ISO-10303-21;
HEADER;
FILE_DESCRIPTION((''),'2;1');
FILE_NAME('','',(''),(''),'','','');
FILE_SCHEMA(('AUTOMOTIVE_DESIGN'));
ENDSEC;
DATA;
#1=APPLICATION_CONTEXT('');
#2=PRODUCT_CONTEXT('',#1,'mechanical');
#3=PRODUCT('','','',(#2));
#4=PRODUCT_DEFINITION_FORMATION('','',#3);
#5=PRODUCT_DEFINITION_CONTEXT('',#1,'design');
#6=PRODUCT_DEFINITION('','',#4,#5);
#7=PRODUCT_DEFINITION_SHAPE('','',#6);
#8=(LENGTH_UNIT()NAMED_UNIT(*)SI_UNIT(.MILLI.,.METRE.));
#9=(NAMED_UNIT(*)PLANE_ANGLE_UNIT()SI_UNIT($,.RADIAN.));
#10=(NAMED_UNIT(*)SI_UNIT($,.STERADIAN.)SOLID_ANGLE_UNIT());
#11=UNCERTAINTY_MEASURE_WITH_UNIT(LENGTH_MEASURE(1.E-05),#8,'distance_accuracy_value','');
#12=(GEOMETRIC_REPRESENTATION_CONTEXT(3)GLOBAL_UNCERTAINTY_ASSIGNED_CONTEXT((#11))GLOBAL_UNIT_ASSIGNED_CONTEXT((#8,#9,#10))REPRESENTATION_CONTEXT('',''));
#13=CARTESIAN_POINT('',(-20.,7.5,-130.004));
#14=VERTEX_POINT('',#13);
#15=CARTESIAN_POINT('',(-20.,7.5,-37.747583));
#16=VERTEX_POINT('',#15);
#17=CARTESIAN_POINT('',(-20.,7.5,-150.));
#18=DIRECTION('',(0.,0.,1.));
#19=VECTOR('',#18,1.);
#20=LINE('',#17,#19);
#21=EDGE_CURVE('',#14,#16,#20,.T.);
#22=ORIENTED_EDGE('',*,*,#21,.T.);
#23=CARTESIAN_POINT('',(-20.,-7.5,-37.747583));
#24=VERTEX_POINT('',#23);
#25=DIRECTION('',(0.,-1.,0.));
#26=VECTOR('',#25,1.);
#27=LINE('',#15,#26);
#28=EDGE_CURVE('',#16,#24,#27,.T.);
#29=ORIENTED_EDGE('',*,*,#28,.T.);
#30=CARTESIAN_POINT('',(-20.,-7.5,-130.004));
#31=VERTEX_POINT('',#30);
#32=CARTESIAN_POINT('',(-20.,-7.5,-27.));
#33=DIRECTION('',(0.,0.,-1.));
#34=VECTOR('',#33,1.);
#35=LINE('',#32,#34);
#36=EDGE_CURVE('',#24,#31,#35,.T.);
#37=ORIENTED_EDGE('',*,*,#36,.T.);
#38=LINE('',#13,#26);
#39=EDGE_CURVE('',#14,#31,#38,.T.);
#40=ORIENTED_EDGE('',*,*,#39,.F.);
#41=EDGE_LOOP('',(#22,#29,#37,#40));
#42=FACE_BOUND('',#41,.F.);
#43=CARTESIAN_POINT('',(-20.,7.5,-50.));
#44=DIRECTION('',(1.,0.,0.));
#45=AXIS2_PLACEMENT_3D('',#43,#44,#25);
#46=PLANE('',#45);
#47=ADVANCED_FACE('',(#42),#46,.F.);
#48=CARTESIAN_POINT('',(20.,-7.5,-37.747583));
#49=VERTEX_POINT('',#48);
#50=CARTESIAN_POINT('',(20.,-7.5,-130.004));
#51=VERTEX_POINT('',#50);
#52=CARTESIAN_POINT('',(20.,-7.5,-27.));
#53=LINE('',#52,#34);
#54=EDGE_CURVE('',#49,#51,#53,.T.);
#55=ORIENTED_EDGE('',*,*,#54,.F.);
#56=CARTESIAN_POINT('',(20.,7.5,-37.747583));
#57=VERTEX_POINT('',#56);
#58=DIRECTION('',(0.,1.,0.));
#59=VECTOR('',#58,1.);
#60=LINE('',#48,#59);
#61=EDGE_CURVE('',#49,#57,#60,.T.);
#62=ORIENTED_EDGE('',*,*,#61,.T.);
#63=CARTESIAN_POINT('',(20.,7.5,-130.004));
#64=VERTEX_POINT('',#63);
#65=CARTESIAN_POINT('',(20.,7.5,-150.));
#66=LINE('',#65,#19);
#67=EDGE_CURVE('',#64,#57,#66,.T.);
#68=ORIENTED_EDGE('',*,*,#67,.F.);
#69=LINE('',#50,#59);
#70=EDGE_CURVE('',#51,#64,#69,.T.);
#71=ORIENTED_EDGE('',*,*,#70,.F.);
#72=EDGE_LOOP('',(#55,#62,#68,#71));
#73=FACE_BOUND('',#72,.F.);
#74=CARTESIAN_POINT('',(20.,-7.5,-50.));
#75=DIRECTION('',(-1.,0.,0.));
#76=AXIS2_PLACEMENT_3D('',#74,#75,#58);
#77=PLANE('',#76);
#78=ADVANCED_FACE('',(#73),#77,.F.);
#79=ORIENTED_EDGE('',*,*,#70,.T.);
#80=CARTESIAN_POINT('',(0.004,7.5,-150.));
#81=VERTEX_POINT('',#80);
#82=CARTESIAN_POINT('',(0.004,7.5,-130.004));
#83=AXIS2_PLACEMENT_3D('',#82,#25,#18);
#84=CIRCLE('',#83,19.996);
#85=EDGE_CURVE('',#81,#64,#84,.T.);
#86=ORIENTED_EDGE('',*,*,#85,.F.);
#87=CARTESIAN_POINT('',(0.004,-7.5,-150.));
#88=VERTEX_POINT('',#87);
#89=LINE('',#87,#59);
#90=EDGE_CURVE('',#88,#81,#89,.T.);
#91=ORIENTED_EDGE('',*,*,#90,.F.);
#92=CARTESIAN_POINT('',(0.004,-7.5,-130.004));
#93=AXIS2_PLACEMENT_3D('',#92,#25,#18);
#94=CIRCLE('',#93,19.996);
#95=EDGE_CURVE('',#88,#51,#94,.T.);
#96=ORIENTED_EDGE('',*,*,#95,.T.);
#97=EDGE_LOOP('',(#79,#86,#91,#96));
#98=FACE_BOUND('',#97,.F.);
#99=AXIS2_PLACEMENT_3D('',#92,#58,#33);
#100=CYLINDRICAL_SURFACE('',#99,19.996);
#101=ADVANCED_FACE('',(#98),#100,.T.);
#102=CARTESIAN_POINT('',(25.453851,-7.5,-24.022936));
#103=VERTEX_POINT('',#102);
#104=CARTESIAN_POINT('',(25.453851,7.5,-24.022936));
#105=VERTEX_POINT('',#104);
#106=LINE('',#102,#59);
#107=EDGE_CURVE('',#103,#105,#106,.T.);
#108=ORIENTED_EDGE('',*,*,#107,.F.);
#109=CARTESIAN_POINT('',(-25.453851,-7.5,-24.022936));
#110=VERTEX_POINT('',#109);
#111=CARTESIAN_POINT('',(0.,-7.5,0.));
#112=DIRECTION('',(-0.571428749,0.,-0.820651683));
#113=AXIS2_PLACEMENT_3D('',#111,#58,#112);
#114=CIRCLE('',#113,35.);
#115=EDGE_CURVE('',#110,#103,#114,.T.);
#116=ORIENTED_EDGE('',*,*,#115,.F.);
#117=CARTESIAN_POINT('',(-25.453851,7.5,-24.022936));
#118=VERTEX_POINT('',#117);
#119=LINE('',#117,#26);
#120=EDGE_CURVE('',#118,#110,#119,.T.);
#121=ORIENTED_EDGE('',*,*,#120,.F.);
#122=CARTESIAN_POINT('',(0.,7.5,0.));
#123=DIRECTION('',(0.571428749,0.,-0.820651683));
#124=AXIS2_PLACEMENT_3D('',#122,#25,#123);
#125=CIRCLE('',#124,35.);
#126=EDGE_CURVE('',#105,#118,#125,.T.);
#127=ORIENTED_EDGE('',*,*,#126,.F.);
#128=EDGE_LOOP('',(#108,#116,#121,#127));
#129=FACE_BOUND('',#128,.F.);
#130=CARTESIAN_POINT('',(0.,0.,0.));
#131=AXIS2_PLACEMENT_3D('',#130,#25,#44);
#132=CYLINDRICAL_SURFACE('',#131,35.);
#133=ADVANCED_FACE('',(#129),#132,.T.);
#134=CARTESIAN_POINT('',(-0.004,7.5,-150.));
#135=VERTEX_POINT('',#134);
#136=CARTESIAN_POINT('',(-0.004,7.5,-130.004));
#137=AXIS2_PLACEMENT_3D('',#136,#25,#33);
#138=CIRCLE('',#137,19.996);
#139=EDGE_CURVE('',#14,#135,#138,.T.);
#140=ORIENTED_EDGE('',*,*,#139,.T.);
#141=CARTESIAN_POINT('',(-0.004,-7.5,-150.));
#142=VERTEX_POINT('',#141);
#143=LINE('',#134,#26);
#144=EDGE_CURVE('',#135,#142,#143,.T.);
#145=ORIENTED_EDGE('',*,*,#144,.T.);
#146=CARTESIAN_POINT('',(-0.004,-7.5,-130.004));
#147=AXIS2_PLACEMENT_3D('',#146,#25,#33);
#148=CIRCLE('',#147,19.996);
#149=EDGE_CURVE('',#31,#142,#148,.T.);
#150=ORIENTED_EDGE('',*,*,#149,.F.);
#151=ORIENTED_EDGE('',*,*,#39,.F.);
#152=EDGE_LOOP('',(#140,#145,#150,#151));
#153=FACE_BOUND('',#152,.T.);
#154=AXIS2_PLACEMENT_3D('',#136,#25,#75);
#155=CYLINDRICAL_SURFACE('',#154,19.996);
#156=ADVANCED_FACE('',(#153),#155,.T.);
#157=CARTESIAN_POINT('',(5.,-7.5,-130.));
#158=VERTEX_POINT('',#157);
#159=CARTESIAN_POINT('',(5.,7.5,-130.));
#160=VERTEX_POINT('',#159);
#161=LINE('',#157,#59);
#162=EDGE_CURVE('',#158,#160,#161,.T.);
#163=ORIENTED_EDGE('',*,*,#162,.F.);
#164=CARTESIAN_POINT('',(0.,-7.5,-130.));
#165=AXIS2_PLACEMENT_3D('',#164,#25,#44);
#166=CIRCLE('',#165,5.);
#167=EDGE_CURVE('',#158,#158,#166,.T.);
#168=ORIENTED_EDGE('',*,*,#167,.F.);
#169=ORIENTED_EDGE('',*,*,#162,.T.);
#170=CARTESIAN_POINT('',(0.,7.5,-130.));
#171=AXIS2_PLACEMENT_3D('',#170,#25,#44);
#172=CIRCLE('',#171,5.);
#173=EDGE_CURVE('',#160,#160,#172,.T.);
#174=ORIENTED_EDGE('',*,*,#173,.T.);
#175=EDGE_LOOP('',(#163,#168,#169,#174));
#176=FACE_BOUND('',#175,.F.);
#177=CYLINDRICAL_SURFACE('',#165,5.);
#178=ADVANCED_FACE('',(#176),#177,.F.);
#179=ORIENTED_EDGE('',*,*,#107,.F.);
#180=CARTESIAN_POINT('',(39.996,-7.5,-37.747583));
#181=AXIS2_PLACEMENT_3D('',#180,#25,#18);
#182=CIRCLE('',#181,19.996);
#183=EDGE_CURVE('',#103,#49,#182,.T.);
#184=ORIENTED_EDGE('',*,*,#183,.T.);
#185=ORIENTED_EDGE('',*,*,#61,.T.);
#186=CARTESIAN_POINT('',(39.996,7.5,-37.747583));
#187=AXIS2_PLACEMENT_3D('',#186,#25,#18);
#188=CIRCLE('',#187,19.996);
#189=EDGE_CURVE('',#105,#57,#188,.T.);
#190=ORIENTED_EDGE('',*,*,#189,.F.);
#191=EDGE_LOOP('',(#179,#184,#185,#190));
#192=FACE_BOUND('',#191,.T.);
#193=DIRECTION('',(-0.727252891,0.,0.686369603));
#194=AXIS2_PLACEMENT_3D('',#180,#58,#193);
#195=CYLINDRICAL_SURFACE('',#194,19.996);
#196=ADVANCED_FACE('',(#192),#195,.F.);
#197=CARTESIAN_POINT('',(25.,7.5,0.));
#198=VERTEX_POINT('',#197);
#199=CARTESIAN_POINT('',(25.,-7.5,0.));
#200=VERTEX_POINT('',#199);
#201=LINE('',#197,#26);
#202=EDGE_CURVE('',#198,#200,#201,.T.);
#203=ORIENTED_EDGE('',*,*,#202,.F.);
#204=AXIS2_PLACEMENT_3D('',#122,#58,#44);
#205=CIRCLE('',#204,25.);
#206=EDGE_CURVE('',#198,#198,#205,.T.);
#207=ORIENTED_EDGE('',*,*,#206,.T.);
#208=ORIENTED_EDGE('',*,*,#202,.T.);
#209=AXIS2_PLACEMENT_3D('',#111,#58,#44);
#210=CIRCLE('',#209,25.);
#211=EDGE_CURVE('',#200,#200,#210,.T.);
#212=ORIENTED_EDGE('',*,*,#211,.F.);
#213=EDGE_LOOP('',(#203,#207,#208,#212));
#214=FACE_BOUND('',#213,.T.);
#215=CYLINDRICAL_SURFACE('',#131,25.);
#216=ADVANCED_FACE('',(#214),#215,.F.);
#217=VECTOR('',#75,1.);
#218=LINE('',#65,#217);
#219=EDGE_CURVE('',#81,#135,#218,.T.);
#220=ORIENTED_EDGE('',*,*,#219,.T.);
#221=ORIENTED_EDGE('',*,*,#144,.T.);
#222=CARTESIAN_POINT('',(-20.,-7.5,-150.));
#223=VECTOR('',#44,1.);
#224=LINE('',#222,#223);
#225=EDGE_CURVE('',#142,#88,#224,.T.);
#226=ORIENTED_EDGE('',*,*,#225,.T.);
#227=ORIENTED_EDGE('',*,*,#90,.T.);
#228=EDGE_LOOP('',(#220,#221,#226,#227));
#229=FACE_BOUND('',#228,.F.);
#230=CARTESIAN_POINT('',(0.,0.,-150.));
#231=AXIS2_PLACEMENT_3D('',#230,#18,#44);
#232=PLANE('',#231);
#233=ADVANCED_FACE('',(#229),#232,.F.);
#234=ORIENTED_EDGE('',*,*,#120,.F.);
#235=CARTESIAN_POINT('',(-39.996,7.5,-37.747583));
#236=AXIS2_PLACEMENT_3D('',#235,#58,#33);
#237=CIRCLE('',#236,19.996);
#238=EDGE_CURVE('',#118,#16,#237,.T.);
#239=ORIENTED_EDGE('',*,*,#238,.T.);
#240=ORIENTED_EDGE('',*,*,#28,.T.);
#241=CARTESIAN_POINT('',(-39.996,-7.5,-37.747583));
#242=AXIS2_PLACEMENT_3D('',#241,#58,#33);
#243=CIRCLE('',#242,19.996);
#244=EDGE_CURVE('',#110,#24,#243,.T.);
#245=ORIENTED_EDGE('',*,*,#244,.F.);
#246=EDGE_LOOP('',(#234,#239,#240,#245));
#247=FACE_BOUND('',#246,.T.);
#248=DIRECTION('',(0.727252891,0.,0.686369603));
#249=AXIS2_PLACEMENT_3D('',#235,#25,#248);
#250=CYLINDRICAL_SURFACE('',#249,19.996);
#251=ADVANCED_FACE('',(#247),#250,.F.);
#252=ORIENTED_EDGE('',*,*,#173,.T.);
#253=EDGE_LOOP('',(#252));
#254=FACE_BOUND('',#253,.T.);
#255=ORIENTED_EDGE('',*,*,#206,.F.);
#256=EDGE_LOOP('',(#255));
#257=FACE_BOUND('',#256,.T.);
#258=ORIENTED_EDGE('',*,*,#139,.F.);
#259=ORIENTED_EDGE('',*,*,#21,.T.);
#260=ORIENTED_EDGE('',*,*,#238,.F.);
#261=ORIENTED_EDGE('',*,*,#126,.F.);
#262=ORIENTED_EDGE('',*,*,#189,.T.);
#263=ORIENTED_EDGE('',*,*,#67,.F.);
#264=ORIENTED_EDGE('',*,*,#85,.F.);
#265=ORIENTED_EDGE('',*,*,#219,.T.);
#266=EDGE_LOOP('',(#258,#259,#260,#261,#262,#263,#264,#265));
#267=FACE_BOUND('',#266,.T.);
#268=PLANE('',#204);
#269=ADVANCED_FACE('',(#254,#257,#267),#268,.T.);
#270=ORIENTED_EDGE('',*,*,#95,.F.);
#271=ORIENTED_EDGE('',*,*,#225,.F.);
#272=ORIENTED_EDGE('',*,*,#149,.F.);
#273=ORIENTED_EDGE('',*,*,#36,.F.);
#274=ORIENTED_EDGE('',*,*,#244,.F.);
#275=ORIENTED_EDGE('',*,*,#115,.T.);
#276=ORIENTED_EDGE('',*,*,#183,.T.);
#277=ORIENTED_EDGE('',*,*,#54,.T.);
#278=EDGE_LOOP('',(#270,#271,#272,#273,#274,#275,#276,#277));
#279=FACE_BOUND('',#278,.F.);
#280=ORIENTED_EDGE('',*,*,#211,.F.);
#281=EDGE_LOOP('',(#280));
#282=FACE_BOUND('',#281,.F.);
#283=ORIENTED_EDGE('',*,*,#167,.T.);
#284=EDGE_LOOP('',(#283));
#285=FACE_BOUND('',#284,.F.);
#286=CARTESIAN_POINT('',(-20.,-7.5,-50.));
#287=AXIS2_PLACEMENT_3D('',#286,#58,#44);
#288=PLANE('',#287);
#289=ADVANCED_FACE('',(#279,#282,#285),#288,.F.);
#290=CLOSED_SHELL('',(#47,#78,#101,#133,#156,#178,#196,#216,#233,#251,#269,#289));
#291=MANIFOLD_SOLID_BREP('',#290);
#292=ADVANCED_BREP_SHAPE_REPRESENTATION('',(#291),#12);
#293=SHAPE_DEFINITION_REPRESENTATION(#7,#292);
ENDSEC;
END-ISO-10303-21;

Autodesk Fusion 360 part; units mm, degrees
sketch "Sketch1" plane through (0, 0, 0) normal (0, 1, 0) x (1, 0, 0)
  circle A0 centre (0, 0) radius 35
  circle A1 centre (0, 0) radius 25
  line L0 (-20, 28.7228) -> (20, 28.7228)
  dimension "d1" = 70
  dimension "d2" = 50
  dimension "d3" = 40
extrude "Extrude1" add sketch "Sketch1" along normal mid plane 15
ref_plane "WorkPlane1" through (0, 0, -50) normal (0, 0, 1) x (1, 0, 0)
sketch "Sketch2" plane through (0, 0, -50) normal (0, 0, 1) x (1, 0, 0)
  line L0 (20, 7.5) -> (-20, 7.5)
  line L1 (-20, 7.5) -> (-20, -7.5)
  line L2 (-20, -7.5) -> (20, -7.5)
  line L3 (20, -7.5) -> (20, 7.5)
  line L4 (20, 7.5) -> (-20, -7.5) construction
  line L5 (-20, 7.5) -> (20, -7.5) construction
  dimension "d7" = 40
  dimension "d8" = 15
extrude "Extrude2" add sketch "Sketch2" along normal blind 23 and the other way blind 100
fillet "Fillet1" radius 20 2 edges at (20, 0, -28.7228) (-20, 0, -28.7228)
fillet "Fillet1" radius 20 2 edges at (20, 0, -150) (-20, 0, -150)
sketch "Sketch3" plane through (0, -7.5, 0) normal (0, -1, 0) x (1, 0, 0)
  circle A0 centre (0, 0) radius 25
  arc A1 (-20, -130) -> (20, -130) centre (0, -130) ccw
  line L0 (20, -130) -> (20, -37.7492)
  arc A2 (25.4545, -24.0222) -> (20, -37.7492) centre (40, -37.7492) ccw
  arc A3 (25.4545, -24.0222) -> (-25.4545, -24.0222) centre (0, 0) ccw
  arc A4 (-20, -37.7492) -> (-25.4545, -24.0222) centre (-40, -37.7492) ccw
  line L1 (-20, -37.7492) -> (-20, -130)
  circle A5 centre (0, -130) radius 5
  dimension "d17" = 10
extrude "Extrude3" cut sketch "Sketch3" against normal through all contours A5
